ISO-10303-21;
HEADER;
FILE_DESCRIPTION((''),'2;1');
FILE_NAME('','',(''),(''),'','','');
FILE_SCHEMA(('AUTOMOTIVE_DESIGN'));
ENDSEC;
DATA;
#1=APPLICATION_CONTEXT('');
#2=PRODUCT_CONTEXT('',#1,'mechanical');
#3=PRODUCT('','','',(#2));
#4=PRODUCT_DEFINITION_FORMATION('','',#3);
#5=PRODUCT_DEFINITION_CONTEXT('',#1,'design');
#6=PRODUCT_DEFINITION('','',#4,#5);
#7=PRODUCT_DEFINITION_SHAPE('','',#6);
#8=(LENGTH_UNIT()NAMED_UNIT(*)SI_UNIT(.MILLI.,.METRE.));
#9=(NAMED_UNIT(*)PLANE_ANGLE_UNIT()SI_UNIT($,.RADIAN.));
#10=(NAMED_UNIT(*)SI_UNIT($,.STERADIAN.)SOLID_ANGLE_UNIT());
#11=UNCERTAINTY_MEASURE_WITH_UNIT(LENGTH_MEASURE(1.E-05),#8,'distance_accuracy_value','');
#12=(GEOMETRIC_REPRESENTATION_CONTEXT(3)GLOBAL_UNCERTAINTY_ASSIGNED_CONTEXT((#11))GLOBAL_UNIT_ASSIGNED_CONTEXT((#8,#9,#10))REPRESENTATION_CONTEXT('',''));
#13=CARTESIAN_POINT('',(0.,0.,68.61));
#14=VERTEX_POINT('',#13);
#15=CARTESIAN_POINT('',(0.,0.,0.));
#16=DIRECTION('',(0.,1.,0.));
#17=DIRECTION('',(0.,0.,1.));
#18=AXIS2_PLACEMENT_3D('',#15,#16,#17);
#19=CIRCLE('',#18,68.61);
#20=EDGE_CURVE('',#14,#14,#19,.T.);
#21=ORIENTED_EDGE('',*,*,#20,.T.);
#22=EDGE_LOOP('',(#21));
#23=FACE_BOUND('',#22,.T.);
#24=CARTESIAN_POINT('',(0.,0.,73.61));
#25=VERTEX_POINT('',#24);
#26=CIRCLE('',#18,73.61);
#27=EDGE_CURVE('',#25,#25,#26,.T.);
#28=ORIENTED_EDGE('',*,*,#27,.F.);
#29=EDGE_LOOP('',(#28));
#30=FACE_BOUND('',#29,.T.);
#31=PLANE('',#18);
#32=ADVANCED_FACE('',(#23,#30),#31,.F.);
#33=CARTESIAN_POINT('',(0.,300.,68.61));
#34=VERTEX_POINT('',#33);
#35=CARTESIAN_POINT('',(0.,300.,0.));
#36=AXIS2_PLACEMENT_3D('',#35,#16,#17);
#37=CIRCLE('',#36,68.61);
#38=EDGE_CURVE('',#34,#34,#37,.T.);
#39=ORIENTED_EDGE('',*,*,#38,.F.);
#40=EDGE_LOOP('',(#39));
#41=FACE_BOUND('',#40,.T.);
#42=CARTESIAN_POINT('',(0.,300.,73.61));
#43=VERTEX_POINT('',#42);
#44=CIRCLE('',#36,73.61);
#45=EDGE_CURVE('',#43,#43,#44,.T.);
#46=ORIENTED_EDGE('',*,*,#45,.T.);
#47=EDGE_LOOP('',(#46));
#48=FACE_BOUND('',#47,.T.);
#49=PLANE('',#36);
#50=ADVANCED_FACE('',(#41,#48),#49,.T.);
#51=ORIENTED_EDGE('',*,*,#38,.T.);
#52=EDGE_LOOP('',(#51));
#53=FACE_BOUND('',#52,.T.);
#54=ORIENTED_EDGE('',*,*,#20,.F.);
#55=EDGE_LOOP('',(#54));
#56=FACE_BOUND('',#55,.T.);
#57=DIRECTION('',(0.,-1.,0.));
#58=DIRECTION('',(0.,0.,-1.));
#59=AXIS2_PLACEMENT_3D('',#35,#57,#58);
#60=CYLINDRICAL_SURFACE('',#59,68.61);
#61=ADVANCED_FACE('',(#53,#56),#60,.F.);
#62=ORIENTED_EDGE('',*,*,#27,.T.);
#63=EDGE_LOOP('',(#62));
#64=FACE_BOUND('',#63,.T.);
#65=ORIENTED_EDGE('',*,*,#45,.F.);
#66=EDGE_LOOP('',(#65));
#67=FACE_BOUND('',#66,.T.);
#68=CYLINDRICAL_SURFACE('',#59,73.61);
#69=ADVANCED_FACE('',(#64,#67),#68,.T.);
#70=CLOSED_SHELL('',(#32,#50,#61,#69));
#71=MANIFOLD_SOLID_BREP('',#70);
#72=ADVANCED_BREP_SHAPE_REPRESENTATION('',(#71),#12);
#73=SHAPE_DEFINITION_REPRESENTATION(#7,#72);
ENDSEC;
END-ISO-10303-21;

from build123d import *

# Parameters (mm, degrees)
ESQUISSE1_R        = 73.61
ESQUISSE1_R_2      = 68.61
BOSS_EXTRU_1_DEPTH = 300


with BuildPart() as part:
    # Esquisse1 → Boss.-Extru.1 (new body)
    with BuildSketch(Plane(origin=(0, 0, 0), x_dir=(1, 0, 0), z_dir=(0, 1, 0))):
        with Locations(Location((0, 0, 0), (0, 0, 270))):
            Circle(ESQUISSE1_R)
        with Locations(Location((0, 0, 0), (0, 0, 270))):
            Circle(ESQUISSE1_R_2, mode=Mode.SUBTRACT)
    extrude(amount=BOSS_EXTRU_1_DEPTH)


solid = part.part
